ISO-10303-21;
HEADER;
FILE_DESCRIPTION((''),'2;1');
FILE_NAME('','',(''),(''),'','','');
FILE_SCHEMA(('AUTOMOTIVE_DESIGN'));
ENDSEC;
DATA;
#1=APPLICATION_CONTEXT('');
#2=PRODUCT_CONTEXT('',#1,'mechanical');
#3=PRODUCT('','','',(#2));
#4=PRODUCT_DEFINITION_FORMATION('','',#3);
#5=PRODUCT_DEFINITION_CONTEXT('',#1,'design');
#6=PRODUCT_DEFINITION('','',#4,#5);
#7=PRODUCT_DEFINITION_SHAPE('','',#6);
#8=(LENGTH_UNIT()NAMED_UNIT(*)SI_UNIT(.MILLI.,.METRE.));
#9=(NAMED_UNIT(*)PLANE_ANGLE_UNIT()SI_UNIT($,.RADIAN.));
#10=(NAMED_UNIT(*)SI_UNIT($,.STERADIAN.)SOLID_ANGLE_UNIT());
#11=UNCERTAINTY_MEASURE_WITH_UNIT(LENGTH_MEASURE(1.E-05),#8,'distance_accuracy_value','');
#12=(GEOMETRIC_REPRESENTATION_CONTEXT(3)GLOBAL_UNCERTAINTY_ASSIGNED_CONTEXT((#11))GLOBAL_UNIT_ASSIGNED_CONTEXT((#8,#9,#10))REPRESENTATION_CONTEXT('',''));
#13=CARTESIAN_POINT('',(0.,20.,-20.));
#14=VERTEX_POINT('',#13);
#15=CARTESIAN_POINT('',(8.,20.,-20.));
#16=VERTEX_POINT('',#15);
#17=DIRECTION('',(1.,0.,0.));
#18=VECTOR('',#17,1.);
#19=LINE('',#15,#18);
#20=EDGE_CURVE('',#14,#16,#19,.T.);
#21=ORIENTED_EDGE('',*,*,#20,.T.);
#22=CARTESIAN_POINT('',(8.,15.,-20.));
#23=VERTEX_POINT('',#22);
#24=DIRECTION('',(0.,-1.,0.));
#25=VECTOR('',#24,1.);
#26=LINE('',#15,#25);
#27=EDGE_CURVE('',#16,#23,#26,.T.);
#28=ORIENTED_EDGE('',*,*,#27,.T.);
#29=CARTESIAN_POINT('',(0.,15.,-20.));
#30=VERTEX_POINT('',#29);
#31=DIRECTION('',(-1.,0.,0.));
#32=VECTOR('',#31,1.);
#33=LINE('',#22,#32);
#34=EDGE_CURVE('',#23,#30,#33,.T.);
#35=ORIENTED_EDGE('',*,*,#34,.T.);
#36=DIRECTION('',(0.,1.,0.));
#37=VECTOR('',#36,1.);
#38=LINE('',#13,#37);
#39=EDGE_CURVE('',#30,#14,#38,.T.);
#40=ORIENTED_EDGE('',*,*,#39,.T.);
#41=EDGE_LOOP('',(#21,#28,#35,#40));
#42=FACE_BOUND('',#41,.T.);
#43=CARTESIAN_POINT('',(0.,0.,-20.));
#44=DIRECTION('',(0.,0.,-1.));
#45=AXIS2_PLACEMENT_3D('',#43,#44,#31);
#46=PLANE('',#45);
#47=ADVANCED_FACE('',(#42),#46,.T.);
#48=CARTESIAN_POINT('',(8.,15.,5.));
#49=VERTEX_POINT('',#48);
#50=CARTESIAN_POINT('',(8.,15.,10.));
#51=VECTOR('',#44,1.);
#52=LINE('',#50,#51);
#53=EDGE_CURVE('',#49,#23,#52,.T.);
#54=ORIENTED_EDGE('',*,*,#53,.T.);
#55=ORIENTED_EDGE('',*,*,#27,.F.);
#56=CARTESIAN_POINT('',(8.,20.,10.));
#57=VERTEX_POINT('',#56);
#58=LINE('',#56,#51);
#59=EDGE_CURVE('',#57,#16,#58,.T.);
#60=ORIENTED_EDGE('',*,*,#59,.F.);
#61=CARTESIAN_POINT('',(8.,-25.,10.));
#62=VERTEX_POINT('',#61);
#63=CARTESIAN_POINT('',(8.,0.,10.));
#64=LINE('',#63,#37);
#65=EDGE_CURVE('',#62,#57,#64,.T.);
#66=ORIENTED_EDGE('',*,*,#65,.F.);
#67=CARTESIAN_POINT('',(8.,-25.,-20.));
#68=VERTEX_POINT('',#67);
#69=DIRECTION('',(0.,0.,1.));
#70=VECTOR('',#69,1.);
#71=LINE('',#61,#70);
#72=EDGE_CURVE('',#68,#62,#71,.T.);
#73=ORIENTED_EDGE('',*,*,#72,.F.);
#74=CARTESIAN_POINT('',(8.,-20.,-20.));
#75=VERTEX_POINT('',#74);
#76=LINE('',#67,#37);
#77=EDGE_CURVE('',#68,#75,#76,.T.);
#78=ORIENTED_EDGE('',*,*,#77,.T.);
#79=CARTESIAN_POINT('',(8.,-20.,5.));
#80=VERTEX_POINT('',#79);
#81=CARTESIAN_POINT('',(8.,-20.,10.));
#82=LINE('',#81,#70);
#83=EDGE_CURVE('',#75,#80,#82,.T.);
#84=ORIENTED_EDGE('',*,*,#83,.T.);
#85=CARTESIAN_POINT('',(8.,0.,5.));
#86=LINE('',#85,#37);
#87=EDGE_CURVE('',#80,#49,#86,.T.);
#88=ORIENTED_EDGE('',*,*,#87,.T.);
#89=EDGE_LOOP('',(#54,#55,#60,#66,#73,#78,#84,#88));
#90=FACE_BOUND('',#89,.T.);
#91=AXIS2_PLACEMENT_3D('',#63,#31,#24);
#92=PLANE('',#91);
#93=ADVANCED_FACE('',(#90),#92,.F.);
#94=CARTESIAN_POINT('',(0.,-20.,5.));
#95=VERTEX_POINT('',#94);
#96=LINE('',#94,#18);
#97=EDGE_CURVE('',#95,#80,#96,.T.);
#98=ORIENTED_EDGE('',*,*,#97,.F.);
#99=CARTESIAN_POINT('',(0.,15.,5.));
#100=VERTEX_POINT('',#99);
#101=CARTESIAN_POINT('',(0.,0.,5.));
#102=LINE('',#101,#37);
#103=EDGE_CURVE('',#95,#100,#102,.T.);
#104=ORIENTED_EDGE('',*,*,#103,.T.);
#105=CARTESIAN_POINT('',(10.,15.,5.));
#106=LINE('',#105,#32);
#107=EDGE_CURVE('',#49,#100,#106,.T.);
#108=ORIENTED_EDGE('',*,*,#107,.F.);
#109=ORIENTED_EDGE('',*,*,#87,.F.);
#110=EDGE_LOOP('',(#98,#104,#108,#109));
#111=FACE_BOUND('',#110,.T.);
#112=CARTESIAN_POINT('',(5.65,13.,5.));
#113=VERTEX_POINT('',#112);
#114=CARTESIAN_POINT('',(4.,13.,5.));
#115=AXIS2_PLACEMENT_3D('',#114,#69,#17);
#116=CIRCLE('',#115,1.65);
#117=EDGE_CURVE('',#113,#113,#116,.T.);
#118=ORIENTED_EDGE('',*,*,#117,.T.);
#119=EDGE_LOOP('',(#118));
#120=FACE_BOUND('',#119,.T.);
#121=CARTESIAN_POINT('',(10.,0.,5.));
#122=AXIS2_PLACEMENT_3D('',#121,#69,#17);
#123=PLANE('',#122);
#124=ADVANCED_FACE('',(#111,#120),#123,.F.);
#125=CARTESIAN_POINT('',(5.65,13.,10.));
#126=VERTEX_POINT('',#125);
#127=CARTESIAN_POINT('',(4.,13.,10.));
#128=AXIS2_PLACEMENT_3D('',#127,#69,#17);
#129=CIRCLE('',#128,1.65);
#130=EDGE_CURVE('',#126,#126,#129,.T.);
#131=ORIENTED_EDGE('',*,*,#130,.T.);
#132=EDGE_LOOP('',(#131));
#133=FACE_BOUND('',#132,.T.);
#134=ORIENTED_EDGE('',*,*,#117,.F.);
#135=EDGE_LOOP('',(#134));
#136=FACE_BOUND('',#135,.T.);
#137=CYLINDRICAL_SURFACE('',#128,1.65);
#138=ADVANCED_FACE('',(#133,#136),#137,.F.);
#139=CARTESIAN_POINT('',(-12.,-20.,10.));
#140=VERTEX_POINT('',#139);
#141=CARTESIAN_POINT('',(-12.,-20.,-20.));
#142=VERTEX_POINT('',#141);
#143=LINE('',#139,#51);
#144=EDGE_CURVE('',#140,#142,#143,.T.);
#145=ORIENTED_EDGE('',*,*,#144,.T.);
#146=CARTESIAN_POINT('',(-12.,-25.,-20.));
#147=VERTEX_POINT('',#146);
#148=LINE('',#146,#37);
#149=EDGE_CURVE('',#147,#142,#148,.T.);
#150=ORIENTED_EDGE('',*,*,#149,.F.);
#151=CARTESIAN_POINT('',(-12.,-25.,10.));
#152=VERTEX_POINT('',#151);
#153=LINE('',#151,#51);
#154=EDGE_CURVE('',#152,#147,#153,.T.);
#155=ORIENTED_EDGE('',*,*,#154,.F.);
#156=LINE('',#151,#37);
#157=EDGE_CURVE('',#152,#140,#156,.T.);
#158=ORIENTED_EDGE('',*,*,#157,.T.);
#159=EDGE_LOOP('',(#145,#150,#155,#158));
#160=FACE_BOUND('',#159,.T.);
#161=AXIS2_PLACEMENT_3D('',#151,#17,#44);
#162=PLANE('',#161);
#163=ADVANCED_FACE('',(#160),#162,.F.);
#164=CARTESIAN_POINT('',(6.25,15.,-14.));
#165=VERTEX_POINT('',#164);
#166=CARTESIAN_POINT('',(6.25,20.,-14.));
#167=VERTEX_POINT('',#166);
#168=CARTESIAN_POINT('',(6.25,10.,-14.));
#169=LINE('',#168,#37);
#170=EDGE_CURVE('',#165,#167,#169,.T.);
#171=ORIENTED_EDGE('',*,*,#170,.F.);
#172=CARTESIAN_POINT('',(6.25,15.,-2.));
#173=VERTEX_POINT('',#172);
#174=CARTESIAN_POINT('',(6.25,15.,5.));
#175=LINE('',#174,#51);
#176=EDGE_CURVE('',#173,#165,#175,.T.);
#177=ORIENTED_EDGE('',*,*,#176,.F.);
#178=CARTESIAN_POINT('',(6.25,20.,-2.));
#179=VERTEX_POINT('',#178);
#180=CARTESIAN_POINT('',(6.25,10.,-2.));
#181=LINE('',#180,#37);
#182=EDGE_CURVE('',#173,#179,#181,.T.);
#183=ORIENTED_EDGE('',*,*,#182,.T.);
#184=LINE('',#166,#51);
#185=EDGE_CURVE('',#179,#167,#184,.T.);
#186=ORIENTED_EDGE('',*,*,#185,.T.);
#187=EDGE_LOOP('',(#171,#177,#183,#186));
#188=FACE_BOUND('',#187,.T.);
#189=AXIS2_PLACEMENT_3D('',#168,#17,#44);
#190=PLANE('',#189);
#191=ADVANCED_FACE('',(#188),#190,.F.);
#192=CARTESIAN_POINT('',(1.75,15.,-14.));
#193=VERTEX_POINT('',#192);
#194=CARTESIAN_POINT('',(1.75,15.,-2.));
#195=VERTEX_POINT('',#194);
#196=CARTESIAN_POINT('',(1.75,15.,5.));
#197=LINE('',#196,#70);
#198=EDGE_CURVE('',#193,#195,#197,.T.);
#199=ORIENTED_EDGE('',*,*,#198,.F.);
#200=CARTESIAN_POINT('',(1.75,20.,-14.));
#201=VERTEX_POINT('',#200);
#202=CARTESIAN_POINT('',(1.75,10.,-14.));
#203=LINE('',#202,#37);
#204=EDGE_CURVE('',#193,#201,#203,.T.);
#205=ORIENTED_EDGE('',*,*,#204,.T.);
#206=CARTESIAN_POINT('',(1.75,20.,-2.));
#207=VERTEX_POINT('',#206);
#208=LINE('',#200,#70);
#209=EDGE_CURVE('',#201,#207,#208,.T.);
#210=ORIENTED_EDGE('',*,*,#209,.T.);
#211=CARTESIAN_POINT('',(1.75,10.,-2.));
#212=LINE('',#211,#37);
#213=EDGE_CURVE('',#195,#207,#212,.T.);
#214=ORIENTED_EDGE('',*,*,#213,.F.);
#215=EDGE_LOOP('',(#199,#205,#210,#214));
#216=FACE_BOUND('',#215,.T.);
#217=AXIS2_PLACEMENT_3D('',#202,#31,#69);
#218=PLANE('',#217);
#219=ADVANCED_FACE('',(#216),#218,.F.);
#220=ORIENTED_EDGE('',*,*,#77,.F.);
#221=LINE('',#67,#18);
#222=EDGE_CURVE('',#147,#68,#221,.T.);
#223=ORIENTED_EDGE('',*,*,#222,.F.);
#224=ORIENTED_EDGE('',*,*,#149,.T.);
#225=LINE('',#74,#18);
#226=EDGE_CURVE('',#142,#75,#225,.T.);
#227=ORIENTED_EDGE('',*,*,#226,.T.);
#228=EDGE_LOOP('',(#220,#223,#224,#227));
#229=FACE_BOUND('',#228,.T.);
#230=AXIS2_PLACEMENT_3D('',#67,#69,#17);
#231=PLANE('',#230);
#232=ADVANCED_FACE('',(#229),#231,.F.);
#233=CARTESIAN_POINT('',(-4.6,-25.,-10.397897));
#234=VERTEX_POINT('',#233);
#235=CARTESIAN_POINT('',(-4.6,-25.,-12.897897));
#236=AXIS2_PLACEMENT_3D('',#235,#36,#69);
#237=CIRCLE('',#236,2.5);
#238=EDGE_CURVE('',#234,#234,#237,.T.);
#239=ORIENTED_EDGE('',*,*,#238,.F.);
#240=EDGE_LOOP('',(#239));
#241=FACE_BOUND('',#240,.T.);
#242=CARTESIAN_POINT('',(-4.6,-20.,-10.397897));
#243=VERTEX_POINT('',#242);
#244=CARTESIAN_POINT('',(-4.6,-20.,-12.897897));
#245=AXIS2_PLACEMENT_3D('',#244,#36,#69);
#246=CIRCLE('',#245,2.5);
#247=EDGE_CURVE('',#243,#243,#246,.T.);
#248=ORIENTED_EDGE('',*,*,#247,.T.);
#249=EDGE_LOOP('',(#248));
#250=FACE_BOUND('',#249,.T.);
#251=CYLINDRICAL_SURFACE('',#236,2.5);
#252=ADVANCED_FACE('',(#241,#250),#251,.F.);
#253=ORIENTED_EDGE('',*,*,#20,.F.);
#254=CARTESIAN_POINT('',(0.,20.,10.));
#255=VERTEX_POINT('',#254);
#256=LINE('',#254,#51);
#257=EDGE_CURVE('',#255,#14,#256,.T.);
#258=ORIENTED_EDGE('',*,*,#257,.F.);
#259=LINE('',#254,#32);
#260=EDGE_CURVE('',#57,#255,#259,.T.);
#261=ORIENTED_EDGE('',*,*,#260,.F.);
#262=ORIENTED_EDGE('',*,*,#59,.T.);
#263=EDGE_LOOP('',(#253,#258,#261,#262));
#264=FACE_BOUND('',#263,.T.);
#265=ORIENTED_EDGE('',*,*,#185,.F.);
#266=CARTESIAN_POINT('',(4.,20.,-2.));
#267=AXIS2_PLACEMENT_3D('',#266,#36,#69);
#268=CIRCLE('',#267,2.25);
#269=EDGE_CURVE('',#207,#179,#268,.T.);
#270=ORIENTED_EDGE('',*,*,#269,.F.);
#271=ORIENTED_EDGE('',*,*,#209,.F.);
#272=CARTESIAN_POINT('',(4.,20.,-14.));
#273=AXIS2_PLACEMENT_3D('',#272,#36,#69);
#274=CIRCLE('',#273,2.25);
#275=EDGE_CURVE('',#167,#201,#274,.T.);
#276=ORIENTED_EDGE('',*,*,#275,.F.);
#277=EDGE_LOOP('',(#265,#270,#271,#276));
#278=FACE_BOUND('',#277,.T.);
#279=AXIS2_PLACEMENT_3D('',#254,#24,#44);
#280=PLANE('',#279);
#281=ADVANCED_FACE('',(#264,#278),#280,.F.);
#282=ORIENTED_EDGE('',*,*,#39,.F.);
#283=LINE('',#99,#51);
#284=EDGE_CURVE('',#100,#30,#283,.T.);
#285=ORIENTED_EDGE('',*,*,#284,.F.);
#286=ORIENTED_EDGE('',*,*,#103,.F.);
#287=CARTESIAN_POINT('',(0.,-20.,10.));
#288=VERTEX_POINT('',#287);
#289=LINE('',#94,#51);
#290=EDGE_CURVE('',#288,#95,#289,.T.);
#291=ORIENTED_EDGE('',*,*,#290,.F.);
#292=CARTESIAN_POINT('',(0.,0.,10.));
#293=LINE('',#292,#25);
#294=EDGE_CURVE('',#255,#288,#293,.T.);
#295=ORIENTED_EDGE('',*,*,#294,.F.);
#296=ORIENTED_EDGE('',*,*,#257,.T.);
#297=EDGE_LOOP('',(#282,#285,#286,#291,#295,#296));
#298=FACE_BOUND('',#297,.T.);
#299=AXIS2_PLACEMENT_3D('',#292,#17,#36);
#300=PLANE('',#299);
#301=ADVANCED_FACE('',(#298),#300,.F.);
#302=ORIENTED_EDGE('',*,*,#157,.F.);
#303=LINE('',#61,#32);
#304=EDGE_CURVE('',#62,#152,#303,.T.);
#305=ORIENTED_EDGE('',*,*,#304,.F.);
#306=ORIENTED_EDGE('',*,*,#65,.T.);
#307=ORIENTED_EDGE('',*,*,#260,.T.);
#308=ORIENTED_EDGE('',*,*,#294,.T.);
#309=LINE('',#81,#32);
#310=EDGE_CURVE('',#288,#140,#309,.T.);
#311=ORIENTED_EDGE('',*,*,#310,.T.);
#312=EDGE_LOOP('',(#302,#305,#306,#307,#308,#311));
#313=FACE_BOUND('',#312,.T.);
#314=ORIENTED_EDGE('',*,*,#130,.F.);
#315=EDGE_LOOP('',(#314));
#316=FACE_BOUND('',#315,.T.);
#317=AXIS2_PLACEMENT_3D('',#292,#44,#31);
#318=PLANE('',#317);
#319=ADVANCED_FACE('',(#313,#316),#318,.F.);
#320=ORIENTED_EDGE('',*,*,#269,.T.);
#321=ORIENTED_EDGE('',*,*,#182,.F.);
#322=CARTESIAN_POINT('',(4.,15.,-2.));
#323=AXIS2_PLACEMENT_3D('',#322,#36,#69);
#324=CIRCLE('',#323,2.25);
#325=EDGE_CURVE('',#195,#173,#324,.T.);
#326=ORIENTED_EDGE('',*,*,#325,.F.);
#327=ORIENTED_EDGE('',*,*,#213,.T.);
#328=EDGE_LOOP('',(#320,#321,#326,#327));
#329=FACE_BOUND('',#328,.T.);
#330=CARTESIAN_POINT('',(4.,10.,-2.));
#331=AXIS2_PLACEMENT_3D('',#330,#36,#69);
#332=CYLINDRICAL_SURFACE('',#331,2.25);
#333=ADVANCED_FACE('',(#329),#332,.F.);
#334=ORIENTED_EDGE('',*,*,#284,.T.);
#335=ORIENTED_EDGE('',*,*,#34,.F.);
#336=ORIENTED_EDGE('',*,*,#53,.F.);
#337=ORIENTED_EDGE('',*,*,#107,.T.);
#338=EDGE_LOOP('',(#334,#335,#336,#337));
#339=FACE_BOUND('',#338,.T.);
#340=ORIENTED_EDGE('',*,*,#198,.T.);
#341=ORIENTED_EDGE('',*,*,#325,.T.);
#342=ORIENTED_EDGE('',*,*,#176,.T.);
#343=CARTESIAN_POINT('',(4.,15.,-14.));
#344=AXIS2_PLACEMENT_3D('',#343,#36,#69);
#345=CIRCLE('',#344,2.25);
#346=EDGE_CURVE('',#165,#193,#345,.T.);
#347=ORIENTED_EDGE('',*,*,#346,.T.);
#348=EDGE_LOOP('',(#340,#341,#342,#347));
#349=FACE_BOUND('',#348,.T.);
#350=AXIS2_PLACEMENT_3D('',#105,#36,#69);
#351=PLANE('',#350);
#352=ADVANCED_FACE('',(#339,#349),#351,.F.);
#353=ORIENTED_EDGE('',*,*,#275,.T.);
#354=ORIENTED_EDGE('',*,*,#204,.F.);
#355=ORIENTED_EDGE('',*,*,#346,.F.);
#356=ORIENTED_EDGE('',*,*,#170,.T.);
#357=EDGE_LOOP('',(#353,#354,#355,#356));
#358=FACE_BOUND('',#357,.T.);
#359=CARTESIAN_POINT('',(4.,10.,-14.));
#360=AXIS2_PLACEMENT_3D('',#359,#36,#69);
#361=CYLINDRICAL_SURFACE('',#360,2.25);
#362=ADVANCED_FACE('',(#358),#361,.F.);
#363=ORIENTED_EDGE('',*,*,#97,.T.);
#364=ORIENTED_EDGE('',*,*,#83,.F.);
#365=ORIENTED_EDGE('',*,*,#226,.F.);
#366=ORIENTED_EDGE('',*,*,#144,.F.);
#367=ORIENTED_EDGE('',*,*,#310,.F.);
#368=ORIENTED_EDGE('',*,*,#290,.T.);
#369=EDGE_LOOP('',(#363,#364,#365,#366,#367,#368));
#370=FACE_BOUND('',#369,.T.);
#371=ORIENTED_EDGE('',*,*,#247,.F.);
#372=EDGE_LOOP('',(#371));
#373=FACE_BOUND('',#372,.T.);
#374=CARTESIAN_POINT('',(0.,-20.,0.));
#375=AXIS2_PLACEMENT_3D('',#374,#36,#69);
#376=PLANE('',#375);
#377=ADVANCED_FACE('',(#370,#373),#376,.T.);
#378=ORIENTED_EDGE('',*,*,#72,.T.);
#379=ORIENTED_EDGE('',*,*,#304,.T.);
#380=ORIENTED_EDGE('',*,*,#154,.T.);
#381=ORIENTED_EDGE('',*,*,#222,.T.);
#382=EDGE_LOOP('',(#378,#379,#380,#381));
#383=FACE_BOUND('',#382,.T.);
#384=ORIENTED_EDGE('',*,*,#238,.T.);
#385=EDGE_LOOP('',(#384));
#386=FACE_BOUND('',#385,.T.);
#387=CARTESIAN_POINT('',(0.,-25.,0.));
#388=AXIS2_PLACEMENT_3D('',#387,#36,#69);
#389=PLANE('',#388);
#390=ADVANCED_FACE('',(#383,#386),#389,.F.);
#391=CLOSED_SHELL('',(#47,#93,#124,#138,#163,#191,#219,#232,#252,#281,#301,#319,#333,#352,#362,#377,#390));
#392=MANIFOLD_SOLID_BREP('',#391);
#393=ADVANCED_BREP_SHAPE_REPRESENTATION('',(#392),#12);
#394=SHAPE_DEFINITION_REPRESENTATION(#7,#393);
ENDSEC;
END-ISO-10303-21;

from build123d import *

# Parameters (mm, degrees)
SKETCH_1_W             = 8
SKETCH_1_H             = 20
EXTRUDE_1_DEPTH        = 10
SKETCH_2_W             = 5
SKETCH_2_H             = 15
CUT_EXTRUDE_1_DEPTH    = 10
SKETCH_3_W             = 8
SKETCH_3_H             = 5
EXTRUDE_2_DEPTH        = 5
SKETCH_4_W             = 8
SKETCH_4_H             = 5
EXTRUDE_3_DEPTH        = 20
SKETCH_5_W             = 20
SKETCH_5_H             = 30
EXTRUDE_4_DEPTH        = 5
SKETCH_6_R             = 2.5
CUT_EXTRUDE_2_DEPTH    = 5
SKETCH_7_W             = 8
SKETCH_7_H             = 5
EXTRUDE_5_DEPTH        = 15
CUT_EXTRUDE_3_DEPTH    = 10
HOLE_WIZARD_M4_1_D     = 3.3
HOLE_WIZARD_M4_1_DEPTH = 10.1
HOLE_WIZARD_M4_1_TIP   = 0.991420021


with BuildPart() as part:
    # 草图1 → 凸台-拉伸1 (new body)
    with BuildSketch(Plane.XY):
        with Locations((4, 10)):
            Rectangle(SKETCH_1_W, SKETCH_1_H)
    extrude(amount=EXTRUDE_1_DEPTH)

    # 草图2 → 切除-拉伸1 (cut)
    with BuildSketch(Plane.ZY):
        with Locations((2.5, 7.5)):
            Rectangle(SKETCH_2_W, SKETCH_2_H)
    extrude(amount=-CUT_EXTRUDE_1_DEPTH, mode=Mode.SUBTRACT)

    # 草图3 → 凸台-拉伸2 (add)
    with BuildSketch(Plane(origin=(0, 0, 0), x_dir=(-1, 0, 0), z_dir=(0, 0, -1))):
        with Locations((-4, 17.5)):
            Rectangle(SKETCH_3_W, SKETCH_3_H)
    extrude(amount=EXTRUDE_2_DEPTH)

    # 草图4 → 凸台-拉伸3 (add)
    with BuildSketch(Plane.XZ):
        with Locations((4, 7.5)):
            Rectangle(SKETCH_4_W, SKETCH_4_H)
    extrude(amount=EXTRUDE_3_DEPTH)

    # 草图5 → 凸台-拉伸4 (add)
    with BuildSketch(Plane.XZ.offset(20)):
        with Locations((-2, -5)):
            Rectangle(SKETCH_5_W, SKETCH_5_H)
    extrude(amount=EXTRUDE_4_DEPTH)

    # 草图6 → 切除-拉伸2 (cut)
    with BuildSketch(Plane(origin=(0, -20, 0), x_dir=(1, 0, 0), z_dir=(0, 1, 0))):
        with Locations((-4.6, 12.897897411)):
            Circle(SKETCH_6_R)
    extrude(amount=-CUT_EXTRUDE_2_DEPTH, mode=Mode.SUBTRACT)

    # 草图7 → 凸台-拉伸5 (add)
    with BuildSketch(Plane(origin=(0, 0, -5), x_dir=(-1, 0, 0), z_dir=(0, 0, -1))):
        with Locations((-4, 17.5)):
            Rectangle(SKETCH_7_W, SKETCH_7_H)
    extrude(amount=EXTRUDE_5_DEPTH)

    # 草图8 → 切除-拉伸3 (cut)
    with BuildSketch(Plane(origin=(0, 20, 0), x_dir=(1, 0, 0), z_dir=(0, 1, 0))):
        with BuildLine():
            Line((6.25, 14), (6.25, 2))
            ThreePointArc((6.25, 2), (4, -0.25), (1.75, 2))
            Line((1.75, 2), (1.75, 14))
            ThreePointArc((1.75, 14), (4, 16.25), (6.25, 14))
        make_face()
    extrude(amount=-CUT_EXTRUDE_3_DEPTH, mode=Mode.SUBTRACT)

    # M4 螺纹孔1
    with Locations(Plane.XY.offset(10)):
        with Locations((4, 13)):
            Hole(HOLE_WIZARD_M4_1_D / 2, depth=HOLE_WIZARD_M4_1_DEPTH)
            with Locations((0, 0, -(HOLE_WIZARD_M4_1_DEPTH + HOLE_WIZARD_M4_1_TIP / 2))):  # 118° drill point
                Cone(0, HOLE_WIZARD_M4_1_D / 2, HOLE_WIZARD_M4_1_TIP, mode=Mode.SUBTRACT)


solid = part.part
